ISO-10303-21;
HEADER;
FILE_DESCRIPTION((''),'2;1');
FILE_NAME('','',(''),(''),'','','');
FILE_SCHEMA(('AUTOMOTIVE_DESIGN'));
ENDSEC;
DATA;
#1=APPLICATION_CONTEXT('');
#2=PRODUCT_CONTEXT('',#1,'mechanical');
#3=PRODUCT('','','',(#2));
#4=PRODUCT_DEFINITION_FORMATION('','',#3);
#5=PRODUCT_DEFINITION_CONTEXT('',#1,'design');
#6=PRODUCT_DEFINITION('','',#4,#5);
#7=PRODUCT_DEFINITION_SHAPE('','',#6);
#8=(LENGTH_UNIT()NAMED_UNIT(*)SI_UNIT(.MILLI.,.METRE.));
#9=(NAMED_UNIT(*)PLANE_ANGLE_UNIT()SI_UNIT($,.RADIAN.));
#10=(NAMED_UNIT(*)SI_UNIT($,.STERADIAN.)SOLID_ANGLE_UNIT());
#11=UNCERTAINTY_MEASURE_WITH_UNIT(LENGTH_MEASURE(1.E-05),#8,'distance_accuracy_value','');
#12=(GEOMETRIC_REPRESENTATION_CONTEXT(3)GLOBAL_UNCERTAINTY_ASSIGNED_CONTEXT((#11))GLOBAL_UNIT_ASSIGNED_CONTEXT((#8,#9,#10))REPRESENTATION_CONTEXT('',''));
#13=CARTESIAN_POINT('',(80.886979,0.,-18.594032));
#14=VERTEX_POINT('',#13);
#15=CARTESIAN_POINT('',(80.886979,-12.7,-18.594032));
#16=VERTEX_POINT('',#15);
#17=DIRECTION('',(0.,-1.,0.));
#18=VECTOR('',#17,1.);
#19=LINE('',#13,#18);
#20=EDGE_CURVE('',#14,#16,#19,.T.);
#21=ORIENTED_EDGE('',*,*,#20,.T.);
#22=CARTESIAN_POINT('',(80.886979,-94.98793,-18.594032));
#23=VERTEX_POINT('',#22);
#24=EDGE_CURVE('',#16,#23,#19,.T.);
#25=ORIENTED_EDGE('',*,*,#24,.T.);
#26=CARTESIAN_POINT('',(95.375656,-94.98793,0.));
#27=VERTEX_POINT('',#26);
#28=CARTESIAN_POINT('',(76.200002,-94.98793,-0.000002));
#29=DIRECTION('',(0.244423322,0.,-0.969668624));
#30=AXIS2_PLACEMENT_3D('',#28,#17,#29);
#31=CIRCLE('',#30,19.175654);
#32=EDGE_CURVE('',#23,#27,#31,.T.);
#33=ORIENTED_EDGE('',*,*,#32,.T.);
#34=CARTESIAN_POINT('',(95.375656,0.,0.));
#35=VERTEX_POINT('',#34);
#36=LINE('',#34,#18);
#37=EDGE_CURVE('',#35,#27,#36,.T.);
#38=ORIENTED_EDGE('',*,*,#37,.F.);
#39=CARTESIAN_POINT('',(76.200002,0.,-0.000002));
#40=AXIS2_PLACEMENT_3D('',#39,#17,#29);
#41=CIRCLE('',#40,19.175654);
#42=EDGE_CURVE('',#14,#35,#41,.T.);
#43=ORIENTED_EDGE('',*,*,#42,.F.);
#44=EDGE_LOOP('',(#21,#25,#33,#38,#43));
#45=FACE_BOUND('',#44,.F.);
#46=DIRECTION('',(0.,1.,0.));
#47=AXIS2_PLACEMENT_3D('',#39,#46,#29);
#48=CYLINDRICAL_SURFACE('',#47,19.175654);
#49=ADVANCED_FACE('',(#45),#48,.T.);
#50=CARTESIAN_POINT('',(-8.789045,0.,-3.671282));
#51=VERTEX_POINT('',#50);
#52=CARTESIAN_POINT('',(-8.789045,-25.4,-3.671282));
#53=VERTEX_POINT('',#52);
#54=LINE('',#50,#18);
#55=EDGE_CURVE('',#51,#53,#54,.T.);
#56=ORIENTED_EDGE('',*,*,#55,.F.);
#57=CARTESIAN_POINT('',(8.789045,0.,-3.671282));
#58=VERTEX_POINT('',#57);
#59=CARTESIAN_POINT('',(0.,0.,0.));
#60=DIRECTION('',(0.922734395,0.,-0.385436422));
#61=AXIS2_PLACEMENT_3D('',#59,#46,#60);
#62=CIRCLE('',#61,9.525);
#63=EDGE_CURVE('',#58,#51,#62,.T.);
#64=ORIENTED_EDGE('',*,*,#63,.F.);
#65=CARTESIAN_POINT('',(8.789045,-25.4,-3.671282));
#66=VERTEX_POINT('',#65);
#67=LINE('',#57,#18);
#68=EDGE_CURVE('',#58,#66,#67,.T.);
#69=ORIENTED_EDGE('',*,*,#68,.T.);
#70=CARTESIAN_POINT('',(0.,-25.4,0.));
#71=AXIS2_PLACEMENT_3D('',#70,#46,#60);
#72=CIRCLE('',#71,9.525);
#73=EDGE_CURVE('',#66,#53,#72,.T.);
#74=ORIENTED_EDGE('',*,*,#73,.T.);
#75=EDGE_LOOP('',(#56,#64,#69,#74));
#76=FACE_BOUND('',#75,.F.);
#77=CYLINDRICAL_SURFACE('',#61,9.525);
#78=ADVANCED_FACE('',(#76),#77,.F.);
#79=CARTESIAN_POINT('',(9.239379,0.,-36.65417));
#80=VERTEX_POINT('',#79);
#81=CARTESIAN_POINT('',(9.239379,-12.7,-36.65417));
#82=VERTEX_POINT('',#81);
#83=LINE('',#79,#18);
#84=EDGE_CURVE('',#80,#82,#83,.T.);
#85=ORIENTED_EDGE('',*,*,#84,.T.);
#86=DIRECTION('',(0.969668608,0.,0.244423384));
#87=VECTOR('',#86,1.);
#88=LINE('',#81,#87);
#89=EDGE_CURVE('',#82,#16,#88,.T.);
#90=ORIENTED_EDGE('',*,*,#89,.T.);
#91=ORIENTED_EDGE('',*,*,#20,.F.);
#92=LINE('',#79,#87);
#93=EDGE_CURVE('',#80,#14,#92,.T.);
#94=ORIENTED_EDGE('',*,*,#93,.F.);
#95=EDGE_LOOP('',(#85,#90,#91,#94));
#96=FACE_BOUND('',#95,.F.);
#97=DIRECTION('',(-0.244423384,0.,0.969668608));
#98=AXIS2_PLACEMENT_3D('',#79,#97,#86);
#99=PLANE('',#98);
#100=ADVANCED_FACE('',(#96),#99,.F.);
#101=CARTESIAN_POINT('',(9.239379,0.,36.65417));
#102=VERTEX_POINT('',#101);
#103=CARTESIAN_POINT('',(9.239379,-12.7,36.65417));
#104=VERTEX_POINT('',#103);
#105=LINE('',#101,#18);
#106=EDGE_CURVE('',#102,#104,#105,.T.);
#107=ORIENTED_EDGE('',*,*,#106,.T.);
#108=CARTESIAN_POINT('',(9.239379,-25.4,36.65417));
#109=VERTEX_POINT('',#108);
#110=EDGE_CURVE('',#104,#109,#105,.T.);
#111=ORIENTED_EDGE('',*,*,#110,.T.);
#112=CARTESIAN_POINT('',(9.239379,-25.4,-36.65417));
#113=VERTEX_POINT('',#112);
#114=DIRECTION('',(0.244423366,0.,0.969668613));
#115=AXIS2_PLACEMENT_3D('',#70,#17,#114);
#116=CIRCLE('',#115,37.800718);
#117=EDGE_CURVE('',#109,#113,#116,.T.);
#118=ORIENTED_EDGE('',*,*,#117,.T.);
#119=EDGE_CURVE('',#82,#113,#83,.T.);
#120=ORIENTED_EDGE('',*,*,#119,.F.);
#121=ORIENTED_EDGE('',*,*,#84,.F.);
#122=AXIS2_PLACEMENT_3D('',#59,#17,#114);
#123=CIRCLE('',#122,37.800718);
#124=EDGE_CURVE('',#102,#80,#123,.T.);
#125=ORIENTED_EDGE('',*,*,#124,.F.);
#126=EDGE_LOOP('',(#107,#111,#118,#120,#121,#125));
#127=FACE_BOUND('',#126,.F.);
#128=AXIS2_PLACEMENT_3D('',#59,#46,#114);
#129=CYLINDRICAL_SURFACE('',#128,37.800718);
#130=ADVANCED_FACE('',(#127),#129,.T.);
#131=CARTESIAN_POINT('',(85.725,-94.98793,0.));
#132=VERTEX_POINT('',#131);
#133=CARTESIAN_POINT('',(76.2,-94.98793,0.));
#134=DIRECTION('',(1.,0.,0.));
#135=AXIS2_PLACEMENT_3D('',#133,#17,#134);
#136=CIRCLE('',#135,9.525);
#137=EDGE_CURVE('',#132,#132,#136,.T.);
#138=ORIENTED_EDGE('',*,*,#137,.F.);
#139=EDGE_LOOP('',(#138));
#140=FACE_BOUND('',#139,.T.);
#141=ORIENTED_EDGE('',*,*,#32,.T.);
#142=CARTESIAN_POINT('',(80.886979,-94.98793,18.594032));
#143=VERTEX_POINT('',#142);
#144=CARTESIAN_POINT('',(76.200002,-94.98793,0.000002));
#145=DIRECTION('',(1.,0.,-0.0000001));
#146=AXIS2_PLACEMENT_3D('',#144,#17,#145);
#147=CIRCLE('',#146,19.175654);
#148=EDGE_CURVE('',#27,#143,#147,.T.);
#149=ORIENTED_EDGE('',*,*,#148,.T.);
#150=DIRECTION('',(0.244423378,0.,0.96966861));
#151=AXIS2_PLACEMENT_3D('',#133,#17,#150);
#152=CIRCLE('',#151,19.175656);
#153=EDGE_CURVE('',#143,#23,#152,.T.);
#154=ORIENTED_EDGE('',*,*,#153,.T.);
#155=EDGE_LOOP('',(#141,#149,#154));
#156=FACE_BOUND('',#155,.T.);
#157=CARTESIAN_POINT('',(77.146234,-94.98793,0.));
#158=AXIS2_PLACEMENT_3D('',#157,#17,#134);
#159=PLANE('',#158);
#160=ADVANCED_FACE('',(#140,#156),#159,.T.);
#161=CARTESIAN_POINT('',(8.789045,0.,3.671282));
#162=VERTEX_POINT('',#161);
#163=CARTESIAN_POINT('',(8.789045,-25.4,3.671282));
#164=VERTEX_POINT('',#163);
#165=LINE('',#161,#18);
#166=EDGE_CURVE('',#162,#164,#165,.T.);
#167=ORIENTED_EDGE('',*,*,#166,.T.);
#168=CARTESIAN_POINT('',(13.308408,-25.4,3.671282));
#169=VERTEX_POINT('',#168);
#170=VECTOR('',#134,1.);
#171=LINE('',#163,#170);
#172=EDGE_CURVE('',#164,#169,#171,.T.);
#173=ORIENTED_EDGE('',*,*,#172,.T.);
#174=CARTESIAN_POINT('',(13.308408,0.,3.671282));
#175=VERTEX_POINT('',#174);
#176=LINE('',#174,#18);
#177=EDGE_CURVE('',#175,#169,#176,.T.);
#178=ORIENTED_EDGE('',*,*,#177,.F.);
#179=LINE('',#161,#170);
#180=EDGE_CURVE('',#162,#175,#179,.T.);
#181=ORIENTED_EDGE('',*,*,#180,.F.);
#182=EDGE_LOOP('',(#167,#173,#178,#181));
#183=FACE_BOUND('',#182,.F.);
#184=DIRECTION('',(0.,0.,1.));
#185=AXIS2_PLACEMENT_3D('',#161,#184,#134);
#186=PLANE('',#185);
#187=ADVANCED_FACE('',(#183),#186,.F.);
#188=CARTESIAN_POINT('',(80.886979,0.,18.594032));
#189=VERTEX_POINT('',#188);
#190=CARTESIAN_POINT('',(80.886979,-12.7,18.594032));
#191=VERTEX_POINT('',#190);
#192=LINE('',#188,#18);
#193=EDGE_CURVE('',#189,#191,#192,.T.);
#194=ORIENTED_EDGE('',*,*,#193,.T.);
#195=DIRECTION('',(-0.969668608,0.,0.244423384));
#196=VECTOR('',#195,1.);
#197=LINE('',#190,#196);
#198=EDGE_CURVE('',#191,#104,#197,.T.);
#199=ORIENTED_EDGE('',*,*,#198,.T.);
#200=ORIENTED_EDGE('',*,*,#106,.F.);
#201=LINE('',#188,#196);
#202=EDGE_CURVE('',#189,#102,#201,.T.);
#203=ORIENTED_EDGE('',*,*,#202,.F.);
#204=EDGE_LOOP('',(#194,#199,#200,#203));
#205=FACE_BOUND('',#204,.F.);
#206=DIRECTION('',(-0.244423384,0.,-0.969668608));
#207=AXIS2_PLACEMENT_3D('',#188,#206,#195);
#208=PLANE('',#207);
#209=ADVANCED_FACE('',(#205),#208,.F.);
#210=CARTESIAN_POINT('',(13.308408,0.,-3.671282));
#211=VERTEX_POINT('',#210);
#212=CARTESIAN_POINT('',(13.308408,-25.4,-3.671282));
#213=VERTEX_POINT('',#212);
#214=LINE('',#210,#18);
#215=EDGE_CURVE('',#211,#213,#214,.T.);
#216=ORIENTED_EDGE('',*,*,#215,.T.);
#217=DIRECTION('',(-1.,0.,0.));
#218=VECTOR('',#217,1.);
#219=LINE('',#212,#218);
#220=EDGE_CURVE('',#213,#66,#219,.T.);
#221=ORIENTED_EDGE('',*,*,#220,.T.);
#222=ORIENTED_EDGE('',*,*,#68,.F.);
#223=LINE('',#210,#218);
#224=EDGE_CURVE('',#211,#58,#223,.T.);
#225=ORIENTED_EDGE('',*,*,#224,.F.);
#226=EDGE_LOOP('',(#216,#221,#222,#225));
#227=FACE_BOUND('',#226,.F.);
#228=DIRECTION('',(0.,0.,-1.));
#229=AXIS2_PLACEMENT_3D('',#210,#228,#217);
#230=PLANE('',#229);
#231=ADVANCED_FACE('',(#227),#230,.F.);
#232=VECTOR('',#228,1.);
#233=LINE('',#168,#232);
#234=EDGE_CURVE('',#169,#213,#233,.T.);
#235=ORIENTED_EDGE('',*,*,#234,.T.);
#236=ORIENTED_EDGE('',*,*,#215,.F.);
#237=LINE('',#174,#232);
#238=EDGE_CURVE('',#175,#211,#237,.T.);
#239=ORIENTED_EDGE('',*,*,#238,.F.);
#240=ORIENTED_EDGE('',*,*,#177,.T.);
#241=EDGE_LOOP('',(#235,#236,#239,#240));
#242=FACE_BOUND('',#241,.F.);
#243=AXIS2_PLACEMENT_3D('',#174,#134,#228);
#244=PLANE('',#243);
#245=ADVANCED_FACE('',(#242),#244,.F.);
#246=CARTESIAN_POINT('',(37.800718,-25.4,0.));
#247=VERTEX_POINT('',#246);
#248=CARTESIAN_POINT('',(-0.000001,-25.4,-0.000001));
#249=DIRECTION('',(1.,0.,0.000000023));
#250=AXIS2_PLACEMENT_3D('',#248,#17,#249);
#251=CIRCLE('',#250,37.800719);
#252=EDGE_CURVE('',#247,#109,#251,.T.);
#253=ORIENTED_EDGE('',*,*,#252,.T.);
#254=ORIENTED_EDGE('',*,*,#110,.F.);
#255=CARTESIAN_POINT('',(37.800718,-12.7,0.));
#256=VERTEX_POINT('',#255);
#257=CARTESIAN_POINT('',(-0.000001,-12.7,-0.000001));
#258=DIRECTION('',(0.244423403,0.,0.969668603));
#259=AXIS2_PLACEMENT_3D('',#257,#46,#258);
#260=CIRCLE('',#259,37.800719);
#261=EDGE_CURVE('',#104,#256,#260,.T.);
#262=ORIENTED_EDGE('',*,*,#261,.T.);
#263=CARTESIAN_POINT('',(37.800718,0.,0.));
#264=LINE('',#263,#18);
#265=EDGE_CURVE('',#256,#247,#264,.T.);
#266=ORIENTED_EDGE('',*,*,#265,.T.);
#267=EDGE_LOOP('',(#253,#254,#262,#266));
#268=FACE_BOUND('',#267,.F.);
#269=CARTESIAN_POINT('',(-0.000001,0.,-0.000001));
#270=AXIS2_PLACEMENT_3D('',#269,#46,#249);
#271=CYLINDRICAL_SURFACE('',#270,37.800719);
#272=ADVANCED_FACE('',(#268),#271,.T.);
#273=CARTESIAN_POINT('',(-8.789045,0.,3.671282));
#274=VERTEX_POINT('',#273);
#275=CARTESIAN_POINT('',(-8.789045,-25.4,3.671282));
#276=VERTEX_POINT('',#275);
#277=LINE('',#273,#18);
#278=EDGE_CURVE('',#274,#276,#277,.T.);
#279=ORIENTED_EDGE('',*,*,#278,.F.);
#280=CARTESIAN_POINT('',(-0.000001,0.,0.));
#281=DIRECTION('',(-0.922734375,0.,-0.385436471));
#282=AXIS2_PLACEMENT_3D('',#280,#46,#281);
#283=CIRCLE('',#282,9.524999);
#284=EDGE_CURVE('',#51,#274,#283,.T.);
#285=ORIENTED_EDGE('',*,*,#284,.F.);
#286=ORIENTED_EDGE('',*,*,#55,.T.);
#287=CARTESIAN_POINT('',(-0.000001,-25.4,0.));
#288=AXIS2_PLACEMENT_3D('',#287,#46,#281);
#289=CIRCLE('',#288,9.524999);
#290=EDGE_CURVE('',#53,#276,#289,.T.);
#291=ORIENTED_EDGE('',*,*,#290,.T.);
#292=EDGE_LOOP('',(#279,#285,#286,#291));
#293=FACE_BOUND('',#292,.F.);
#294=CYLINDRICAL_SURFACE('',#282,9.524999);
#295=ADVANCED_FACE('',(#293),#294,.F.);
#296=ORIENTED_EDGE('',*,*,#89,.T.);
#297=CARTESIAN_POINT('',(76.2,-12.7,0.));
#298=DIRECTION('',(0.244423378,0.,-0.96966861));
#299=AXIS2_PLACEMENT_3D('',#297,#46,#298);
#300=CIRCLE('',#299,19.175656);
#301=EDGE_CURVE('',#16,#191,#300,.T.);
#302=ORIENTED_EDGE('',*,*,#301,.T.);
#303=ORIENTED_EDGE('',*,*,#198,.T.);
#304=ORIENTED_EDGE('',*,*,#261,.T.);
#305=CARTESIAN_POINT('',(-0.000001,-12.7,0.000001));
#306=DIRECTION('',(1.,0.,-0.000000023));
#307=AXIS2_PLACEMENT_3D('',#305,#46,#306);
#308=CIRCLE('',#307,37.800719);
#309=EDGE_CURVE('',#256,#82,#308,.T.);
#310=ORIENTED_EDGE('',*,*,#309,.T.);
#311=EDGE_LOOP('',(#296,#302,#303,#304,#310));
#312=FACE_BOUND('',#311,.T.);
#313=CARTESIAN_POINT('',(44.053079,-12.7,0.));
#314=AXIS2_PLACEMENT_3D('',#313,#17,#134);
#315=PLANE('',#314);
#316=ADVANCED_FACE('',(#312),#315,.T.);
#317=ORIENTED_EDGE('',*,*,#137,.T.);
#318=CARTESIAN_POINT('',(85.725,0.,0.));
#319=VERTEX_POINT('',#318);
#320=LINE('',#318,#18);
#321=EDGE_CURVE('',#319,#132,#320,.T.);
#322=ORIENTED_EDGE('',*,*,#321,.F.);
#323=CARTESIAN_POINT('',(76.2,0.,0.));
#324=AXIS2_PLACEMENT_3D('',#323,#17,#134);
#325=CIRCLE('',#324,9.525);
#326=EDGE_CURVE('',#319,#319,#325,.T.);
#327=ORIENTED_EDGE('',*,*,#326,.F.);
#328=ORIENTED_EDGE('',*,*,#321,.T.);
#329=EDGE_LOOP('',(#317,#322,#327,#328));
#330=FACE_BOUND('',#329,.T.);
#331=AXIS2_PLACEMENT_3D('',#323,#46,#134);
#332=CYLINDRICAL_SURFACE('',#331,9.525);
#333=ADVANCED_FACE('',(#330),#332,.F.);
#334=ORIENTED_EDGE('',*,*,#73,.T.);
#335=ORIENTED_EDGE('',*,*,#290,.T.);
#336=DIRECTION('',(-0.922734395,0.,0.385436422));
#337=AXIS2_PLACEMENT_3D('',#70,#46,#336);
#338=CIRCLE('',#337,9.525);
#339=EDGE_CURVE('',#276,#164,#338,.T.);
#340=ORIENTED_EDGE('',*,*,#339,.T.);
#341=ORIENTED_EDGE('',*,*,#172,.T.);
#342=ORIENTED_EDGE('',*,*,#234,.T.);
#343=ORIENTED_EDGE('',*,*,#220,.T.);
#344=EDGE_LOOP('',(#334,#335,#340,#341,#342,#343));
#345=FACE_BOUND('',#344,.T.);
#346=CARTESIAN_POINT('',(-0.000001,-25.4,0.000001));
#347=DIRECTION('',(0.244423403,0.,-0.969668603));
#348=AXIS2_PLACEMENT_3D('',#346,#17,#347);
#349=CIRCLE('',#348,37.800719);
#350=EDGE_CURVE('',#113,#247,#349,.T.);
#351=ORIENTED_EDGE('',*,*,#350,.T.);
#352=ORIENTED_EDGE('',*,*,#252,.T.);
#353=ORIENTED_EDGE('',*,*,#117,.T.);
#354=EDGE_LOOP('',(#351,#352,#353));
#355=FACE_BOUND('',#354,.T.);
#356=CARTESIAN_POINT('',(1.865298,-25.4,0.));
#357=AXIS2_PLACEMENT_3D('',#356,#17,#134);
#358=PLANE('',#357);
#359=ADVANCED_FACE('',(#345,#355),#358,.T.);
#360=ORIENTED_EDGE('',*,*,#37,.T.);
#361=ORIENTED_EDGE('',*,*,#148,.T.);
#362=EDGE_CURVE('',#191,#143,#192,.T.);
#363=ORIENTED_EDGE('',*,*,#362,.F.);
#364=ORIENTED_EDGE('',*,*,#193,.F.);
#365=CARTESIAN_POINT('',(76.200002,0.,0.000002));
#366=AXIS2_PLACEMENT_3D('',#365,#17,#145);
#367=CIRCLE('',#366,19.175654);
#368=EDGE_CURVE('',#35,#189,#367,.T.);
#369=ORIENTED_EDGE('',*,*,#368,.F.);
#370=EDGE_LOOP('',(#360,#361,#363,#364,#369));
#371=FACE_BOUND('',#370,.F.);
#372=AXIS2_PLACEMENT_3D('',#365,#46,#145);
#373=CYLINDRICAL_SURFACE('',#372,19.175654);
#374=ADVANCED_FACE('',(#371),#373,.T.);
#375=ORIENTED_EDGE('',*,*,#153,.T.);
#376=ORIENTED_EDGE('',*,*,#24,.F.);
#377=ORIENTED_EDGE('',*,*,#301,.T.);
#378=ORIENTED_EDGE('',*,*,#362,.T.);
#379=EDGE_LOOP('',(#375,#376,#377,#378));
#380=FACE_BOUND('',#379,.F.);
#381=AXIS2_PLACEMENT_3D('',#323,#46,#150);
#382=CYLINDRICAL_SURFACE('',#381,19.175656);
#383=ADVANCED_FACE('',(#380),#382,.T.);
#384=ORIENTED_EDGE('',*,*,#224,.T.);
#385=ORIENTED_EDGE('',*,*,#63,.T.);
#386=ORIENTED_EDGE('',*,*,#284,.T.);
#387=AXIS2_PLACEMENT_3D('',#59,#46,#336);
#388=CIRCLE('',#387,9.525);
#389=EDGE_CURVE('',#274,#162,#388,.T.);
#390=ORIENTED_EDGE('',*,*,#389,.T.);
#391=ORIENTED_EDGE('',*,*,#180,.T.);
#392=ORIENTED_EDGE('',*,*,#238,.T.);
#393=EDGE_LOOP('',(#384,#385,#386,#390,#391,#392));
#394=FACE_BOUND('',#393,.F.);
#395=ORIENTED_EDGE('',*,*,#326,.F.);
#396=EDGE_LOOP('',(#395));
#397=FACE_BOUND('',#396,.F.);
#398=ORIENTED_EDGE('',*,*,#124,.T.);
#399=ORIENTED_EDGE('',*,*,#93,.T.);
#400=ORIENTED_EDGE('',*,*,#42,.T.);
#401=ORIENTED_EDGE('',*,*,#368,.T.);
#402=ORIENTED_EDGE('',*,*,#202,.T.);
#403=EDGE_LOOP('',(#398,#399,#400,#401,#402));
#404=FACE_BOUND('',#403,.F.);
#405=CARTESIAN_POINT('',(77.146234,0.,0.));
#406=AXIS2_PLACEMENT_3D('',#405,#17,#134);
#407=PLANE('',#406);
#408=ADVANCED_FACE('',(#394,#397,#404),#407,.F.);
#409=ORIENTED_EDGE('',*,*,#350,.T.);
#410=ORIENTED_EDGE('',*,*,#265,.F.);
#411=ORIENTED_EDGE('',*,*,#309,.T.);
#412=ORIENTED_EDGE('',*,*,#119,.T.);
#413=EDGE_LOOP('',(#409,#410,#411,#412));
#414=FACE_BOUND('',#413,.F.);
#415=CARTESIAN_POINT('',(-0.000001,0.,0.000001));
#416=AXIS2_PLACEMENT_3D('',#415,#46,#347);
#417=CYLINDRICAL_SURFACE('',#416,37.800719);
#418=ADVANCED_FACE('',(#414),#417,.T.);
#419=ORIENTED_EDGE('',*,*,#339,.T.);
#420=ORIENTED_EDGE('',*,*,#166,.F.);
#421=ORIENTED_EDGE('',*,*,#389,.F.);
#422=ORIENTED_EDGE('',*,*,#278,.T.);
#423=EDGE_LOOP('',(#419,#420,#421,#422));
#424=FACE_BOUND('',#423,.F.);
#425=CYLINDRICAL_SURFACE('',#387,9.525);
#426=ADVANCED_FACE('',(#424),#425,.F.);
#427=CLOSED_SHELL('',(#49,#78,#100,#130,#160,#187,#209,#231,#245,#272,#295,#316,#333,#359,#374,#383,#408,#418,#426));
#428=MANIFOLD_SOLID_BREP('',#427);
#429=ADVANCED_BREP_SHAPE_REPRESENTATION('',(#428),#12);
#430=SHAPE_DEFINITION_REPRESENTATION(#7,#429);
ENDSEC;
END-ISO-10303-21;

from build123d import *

# Parameters (mm, degrees)
F1_DEPTH = 25.4
F2_DEPTH = 12.7
F0_R     = 9.525
F3_DEPTH = 94.98793


with BuildPart() as f1:
    # F0 (on Front) → F1 (new body)
    with BuildSketch(Plane.XZ):
        with BuildLine():
            ThreePointArc((9.239379, -36.65417), (29.817356, -23.234017), (37.800718, 0))
            ThreePointArc((37.800718, 0), (29.817356, 23.234017), (9.239379, 36.65417))
            ThreePointArc((9.239379, 36.65417), (-37.800718, 0), (9.239379, -36.65417))
        make_face()
        with BuildLine():
            ThreePointArc((-8.789045, 3.671282), (0, 9.525), (8.789045, 3.671282))
            Line((8.789045, 3.671282), (13.308408, 3.671282))
            Line((13.308408, 3.671282), (13.308408, -3.671282))
            Line((13.308408, -3.671282), (8.789045, -3.671282))
            ThreePointArc((8.789045, -3.671282), (0, -9.525), (-8.789045, -3.671282))
            Line((-8.789045, -3.671282), (-13.308408, -3.671282))
            Line((-13.308408, -3.671282), (-13.308408, 3.671282))
            Line((-13.308408, 3.671282), (-8.789045, 3.671282))
        make_face(mode=Mode.SUBTRACT)
        with BuildLine():
            ThreePointArc((-8.789045, -3.671282), (-9.525, 0), (-8.789045, 3.671282))
            Line((-8.789045, 3.671282), (-13.308408, 3.671282))
            Line((-13.308408, 3.671282), (-13.308408, -3.671282))
            Line((-13.308408, -3.671282), (-8.789045, -3.671282))
        make_face()
    extrude(amount=F1_DEPTH)

    # F0 (on Front) → F2 (join)
    with BuildSketch(Plane.XZ):
        with BuildLine():
            ThreePointArc((9.239379, 36.65417), (29.817356, 23.234017), (37.800718, 0))
            ThreePointArc((37.800718, 0), (29.817356, -23.234017), (9.239379, -36.65417))
            Line((9.239379, -36.65417), (80.886979, -18.594032))
            ThreePointArc((80.886979, -18.594032), (57.024344, 0), (80.886979, 18.594032))
            Line((80.886979, 18.594032), (9.239379, 36.65417))
        make_face()
    extrude(amount=F2_DEPTH)

    # F0 (on Front) → F3 (join)
    with BuildSketch(Plane.XZ):
        with BuildLine():
            ThreePointArc((95.375656, 0), (91.325834, 11.786219), (80.886979, 18.594032))
            ThreePointArc((80.886979, 18.594032), (57.024344, 0), (80.886979, -18.594032))
            ThreePointArc((80.886979, -18.594032), (91.325834, -11.786219), (95.375656, 0))
        make_face()
        with Locations((76.2, 0)):
            Circle(F0_R, mode=Mode.SUBTRACT)
    extrude(amount=F3_DEPTH)


solid = f1.part
